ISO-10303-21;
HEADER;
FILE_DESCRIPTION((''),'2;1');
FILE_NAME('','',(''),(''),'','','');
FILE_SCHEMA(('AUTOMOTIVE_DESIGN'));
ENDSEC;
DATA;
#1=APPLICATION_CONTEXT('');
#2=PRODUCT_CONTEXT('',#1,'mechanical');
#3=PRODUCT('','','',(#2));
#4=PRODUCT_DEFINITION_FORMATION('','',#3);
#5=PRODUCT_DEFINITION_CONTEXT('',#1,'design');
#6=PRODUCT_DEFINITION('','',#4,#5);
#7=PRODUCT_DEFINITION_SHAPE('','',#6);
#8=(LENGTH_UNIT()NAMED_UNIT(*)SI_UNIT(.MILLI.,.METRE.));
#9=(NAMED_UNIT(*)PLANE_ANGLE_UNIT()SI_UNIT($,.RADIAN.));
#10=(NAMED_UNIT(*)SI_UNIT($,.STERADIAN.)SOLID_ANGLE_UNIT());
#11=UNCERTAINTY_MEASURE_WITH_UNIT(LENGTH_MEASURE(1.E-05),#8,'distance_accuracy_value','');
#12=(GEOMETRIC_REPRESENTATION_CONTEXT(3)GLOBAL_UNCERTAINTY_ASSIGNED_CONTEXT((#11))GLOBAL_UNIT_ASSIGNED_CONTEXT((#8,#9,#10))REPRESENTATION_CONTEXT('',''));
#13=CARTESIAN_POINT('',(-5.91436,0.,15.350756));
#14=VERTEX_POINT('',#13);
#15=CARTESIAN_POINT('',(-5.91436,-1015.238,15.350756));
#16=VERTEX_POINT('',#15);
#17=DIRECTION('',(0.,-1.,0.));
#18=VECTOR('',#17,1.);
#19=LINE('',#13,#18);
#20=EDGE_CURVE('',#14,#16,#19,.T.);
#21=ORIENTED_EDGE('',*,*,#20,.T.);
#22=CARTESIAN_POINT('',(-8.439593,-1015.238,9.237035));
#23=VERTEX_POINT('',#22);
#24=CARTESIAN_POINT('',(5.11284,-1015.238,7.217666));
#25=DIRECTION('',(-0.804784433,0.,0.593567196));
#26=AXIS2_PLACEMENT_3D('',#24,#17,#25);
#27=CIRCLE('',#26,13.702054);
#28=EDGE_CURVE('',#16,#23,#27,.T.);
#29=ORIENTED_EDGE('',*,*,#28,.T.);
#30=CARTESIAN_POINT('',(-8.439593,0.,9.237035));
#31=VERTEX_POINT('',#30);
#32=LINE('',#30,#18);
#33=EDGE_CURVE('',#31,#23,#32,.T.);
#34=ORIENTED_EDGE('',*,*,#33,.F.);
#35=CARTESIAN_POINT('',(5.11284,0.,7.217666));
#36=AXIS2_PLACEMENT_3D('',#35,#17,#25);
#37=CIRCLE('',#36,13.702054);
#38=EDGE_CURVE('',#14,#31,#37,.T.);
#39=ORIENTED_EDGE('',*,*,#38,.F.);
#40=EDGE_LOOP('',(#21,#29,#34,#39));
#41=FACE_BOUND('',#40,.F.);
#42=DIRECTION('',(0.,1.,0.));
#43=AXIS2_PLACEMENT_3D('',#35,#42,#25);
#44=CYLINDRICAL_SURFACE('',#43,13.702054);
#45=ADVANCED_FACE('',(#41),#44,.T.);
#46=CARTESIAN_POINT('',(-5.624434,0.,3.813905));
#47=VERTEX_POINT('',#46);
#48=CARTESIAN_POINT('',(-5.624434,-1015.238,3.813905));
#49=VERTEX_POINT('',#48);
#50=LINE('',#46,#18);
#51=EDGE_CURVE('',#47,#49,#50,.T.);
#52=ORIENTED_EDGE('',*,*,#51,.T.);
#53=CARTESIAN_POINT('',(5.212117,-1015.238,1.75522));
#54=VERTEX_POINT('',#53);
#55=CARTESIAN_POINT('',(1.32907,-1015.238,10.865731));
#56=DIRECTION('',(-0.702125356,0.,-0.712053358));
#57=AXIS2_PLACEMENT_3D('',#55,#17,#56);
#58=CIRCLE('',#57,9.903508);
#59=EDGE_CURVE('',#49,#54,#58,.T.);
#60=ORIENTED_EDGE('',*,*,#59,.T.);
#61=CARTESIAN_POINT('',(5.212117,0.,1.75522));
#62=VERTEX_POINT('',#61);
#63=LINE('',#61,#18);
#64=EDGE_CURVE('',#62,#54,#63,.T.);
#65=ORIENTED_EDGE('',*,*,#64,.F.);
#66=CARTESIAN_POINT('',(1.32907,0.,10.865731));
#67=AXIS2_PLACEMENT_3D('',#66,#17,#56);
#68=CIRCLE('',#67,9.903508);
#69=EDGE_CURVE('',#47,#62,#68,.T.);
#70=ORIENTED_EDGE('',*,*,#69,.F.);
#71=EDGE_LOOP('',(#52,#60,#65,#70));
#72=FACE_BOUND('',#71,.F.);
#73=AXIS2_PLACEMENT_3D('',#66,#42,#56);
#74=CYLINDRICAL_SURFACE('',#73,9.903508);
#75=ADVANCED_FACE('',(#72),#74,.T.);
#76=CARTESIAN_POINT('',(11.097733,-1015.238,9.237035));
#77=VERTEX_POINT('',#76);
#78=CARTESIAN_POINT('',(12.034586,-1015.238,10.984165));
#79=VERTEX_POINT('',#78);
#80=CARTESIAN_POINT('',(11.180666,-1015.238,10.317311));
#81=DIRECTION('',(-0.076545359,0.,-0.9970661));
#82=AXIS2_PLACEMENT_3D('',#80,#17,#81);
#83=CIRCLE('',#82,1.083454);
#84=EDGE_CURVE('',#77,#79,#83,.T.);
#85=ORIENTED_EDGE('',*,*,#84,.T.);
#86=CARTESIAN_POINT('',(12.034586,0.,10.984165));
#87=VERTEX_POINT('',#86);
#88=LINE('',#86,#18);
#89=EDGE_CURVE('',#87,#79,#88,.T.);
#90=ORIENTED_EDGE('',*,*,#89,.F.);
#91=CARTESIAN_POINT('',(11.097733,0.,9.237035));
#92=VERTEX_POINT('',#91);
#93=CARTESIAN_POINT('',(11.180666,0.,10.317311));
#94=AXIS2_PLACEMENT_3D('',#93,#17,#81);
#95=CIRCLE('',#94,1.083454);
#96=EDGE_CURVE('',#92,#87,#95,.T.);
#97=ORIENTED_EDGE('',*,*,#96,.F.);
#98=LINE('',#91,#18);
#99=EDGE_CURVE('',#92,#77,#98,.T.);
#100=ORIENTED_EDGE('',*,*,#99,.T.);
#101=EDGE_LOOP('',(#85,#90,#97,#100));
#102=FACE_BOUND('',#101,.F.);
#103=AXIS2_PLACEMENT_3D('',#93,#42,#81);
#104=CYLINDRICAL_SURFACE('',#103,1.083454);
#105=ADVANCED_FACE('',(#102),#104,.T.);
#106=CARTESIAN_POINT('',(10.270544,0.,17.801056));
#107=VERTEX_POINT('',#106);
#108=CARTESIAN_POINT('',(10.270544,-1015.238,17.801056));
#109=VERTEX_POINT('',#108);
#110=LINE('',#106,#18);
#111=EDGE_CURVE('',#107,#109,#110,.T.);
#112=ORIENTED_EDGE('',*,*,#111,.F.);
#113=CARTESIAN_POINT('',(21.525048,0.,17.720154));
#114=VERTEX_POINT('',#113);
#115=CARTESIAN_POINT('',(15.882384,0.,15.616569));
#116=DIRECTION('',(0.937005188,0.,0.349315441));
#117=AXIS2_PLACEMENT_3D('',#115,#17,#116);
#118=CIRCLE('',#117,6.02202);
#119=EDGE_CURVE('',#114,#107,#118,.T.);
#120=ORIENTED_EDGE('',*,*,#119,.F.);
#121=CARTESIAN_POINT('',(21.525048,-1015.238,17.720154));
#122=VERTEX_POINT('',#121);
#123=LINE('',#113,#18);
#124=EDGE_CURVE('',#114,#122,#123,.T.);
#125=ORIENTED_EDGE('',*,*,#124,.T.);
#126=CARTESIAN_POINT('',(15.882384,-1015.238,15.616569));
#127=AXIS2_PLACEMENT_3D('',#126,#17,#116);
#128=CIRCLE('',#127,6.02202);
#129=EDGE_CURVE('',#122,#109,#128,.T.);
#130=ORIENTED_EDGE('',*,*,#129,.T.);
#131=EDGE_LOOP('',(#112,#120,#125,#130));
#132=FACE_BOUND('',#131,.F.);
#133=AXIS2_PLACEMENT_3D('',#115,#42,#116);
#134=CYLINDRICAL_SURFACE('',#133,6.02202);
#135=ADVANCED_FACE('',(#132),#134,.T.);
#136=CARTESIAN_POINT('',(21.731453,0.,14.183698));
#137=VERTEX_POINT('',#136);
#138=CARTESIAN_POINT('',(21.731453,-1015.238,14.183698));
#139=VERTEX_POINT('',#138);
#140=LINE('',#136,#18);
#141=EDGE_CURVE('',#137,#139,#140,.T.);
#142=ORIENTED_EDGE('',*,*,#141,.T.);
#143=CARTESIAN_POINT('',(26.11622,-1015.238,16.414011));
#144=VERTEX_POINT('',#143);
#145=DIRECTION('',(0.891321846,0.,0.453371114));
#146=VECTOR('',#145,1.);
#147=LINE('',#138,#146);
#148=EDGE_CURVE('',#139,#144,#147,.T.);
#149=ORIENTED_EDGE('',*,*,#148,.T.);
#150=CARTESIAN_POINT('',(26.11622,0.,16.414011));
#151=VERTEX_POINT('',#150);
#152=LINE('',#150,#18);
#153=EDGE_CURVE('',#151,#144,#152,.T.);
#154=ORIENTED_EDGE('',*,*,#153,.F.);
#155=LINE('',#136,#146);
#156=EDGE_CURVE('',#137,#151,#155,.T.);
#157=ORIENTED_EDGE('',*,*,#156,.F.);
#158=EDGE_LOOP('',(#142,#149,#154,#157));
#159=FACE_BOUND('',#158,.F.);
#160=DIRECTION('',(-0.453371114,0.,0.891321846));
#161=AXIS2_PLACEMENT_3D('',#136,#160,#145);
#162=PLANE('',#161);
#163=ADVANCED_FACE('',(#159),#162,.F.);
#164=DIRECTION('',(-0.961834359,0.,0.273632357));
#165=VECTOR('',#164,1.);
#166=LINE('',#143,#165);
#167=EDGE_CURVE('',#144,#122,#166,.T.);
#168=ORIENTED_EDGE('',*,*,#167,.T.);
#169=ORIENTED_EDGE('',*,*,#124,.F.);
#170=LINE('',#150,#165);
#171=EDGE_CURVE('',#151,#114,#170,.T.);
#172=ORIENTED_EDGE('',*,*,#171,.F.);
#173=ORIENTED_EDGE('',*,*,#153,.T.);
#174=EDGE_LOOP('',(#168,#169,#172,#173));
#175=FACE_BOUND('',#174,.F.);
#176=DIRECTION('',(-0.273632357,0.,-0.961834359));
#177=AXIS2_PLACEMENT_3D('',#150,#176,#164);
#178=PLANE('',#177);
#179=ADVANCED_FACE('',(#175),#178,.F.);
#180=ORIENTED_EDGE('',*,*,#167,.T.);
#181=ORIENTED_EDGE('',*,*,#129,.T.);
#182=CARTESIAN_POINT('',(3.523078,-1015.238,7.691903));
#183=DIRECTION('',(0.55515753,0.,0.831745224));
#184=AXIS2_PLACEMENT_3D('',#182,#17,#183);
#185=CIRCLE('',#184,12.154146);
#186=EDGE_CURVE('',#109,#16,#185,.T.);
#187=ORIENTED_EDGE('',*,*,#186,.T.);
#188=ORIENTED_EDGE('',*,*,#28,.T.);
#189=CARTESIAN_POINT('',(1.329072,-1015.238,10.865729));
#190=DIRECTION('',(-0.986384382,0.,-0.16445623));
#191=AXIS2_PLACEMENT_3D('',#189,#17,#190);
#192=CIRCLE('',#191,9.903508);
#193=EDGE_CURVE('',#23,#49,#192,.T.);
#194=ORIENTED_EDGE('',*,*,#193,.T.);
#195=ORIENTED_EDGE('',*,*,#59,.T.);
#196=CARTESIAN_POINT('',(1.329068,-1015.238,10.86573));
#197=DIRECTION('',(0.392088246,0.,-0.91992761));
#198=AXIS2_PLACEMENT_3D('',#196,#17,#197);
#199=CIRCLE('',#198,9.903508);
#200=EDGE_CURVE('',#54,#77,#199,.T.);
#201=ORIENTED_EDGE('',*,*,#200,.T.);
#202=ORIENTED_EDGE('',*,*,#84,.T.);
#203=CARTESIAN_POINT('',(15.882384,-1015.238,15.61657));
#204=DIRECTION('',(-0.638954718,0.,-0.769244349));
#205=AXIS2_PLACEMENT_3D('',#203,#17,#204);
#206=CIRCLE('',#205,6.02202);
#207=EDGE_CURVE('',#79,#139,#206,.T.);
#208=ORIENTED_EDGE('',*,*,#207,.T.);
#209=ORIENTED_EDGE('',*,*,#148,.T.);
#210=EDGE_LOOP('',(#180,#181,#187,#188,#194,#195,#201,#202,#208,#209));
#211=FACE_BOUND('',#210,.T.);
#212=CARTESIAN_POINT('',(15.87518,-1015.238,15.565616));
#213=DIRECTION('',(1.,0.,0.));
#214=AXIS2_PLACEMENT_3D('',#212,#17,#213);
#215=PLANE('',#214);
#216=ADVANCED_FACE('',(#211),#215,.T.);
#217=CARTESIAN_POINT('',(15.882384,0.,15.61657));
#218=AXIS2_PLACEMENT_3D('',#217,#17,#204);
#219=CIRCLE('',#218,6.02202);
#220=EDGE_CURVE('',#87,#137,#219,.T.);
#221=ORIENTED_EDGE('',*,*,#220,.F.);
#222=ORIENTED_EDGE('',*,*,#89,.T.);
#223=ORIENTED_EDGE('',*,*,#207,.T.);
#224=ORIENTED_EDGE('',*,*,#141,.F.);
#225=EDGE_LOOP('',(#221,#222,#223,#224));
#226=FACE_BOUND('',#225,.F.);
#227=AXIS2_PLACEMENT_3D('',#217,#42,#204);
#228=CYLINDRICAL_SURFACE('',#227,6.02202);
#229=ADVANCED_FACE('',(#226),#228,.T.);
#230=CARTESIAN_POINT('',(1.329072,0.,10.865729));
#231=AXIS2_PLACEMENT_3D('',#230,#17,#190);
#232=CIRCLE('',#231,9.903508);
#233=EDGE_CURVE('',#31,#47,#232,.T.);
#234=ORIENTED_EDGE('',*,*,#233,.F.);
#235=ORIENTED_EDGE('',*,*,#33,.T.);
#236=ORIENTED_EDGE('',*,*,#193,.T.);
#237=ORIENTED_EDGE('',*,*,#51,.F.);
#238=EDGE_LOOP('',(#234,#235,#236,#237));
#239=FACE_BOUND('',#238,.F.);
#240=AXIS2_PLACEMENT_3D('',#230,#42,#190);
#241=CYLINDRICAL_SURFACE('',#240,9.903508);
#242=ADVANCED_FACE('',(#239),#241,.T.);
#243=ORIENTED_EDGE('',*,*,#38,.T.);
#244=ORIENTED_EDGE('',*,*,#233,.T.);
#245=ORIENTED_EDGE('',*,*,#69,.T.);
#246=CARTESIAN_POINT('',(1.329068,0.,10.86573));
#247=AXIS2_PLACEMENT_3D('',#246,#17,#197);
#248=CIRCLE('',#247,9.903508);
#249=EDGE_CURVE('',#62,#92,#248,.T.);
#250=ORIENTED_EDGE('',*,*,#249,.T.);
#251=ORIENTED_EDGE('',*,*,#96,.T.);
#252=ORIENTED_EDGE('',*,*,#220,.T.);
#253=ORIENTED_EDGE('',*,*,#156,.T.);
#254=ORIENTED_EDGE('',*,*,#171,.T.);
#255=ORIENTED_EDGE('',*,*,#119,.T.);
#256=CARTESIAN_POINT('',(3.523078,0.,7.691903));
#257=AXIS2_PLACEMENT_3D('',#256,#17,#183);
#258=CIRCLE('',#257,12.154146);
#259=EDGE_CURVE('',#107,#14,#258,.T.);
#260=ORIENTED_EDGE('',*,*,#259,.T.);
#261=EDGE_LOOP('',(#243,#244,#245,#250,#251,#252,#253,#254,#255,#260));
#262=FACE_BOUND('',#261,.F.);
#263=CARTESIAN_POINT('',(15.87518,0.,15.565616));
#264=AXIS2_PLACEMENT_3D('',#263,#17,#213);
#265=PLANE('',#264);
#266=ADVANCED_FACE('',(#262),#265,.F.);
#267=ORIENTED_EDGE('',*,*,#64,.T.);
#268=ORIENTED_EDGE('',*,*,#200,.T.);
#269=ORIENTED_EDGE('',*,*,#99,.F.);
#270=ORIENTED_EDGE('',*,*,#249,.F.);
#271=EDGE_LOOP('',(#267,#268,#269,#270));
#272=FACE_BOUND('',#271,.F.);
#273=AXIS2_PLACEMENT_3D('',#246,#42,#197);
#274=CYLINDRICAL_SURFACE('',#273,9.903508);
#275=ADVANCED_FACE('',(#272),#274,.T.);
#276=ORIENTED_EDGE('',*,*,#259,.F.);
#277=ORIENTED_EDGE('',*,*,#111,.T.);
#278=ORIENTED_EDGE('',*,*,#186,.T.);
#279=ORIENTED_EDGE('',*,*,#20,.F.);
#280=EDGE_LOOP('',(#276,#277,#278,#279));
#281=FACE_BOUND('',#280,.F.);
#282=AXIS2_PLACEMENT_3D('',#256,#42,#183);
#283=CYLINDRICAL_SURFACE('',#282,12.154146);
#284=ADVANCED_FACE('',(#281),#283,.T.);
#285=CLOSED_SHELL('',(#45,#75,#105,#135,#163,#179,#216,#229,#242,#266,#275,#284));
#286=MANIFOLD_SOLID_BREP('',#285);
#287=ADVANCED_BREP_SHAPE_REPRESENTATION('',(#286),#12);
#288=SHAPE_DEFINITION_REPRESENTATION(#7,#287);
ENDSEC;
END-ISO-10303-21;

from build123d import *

# Parameters (mm, degrees)
F1_DEPTH = 1015.238


with BuildPart() as f1:
    # F0 (on Front) → F1 (new body)
    with BuildSketch(Plane.XZ):
        with BuildLine():
            ThreePointArc((21.731453, 14.183698), (21.86101, 14.894934), (21.904404, 15.61657))
            ThreePointArc((21.904404, 15.61657), (21.808806, 16.685328), (21.525048, 17.720154))
            ThreePointArc((21.525048, 17.720154), (15.925672, 21.638434), (10.270544, 17.801056))
            ThreePointArc((10.270544, 17.801056), (10.052402, 14.107915), (12.034586, 10.984165))
            ThreePointArc((12.034586, 10.984165), (17.769319, 9.897811), (21.731453, 14.183698))
        make_face()
        with BuildLine():
            ThreePointArc((21.525048, 17.720154), (21.808806, 16.685328), (21.904404, 15.61657))
            ThreePointArc((21.904404, 15.61657), (21.86101, 14.894934), (21.731453, 14.183698))
            Line((21.731453, 14.183698), (26.11622, 16.414011))
            Line((26.11622, 16.414011), (21.525048, 17.720154))
        make_face()
        with BuildLine():
            ThreePointArc((12.034586, 10.984165), (10.052402, 14.107915), (10.270544, 17.801056))
            ThreePointArc((10.270544, 17.801056), (1.703743, 19.709111), (-5.91436, 15.350756))
            ThreePointArc((-5.91436, 15.350756), (-7.55144, 12.448565), (-8.439593, 9.237035))
            ThreePointArc((-8.439593, 9.237035), (-7.460714, 6.302931), (-5.624434, 3.813905))
            ThreePointArc((-5.624434, 3.813905), (-0.5193, 1.13624), (5.212117, 1.75522))
            ThreePointArc((5.212117, 1.75522), (9.112815, 4.742598), (11.097733, 9.237035))
            ThreePointArc((11.097733, 9.237035), (12.135507, 9.805302), (12.034586, 10.984165))
        make_face()
    extrude(amount=F1_DEPTH)


solid = f1.part
